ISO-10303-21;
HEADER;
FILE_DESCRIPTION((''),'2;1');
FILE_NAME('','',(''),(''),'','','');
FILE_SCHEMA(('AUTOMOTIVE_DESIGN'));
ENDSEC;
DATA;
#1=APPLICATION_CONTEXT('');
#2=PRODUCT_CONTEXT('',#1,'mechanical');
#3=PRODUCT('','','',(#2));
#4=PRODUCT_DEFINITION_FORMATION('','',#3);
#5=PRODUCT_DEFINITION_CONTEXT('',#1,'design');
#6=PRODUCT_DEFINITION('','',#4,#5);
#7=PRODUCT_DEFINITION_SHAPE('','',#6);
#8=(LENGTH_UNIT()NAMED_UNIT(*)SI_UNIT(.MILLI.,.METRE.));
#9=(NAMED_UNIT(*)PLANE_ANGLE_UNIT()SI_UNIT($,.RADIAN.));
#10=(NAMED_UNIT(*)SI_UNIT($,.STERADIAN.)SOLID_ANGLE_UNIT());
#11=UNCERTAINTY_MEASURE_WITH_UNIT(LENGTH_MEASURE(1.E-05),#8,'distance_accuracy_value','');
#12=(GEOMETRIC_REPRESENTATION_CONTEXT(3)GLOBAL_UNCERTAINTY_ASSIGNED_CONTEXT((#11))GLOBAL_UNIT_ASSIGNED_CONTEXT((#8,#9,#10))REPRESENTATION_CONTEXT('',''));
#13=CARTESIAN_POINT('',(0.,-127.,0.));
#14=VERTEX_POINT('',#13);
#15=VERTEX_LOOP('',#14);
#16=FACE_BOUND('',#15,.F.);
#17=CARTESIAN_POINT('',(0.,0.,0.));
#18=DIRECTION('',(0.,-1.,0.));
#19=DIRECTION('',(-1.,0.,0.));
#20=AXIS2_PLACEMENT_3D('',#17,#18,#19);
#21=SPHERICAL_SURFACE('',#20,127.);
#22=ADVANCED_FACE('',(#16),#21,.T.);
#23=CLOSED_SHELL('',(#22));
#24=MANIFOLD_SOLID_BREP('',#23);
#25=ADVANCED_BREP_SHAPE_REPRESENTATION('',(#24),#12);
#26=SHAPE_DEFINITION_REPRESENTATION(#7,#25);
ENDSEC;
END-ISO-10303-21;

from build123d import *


with BuildPart() as part:
    # Sketch1 one side → Revolve1 (revolve)
    with BuildSketch(Plane.XY):
        with BuildLine():
            Line((0, -127), (0, 127))
            ThreePointArc((0, 127), (-127, 0), (0, -127))
        make_face()
    revolve(axis=Axis((0, 0, 0), (0, 1, 0)))


solid = part.part
